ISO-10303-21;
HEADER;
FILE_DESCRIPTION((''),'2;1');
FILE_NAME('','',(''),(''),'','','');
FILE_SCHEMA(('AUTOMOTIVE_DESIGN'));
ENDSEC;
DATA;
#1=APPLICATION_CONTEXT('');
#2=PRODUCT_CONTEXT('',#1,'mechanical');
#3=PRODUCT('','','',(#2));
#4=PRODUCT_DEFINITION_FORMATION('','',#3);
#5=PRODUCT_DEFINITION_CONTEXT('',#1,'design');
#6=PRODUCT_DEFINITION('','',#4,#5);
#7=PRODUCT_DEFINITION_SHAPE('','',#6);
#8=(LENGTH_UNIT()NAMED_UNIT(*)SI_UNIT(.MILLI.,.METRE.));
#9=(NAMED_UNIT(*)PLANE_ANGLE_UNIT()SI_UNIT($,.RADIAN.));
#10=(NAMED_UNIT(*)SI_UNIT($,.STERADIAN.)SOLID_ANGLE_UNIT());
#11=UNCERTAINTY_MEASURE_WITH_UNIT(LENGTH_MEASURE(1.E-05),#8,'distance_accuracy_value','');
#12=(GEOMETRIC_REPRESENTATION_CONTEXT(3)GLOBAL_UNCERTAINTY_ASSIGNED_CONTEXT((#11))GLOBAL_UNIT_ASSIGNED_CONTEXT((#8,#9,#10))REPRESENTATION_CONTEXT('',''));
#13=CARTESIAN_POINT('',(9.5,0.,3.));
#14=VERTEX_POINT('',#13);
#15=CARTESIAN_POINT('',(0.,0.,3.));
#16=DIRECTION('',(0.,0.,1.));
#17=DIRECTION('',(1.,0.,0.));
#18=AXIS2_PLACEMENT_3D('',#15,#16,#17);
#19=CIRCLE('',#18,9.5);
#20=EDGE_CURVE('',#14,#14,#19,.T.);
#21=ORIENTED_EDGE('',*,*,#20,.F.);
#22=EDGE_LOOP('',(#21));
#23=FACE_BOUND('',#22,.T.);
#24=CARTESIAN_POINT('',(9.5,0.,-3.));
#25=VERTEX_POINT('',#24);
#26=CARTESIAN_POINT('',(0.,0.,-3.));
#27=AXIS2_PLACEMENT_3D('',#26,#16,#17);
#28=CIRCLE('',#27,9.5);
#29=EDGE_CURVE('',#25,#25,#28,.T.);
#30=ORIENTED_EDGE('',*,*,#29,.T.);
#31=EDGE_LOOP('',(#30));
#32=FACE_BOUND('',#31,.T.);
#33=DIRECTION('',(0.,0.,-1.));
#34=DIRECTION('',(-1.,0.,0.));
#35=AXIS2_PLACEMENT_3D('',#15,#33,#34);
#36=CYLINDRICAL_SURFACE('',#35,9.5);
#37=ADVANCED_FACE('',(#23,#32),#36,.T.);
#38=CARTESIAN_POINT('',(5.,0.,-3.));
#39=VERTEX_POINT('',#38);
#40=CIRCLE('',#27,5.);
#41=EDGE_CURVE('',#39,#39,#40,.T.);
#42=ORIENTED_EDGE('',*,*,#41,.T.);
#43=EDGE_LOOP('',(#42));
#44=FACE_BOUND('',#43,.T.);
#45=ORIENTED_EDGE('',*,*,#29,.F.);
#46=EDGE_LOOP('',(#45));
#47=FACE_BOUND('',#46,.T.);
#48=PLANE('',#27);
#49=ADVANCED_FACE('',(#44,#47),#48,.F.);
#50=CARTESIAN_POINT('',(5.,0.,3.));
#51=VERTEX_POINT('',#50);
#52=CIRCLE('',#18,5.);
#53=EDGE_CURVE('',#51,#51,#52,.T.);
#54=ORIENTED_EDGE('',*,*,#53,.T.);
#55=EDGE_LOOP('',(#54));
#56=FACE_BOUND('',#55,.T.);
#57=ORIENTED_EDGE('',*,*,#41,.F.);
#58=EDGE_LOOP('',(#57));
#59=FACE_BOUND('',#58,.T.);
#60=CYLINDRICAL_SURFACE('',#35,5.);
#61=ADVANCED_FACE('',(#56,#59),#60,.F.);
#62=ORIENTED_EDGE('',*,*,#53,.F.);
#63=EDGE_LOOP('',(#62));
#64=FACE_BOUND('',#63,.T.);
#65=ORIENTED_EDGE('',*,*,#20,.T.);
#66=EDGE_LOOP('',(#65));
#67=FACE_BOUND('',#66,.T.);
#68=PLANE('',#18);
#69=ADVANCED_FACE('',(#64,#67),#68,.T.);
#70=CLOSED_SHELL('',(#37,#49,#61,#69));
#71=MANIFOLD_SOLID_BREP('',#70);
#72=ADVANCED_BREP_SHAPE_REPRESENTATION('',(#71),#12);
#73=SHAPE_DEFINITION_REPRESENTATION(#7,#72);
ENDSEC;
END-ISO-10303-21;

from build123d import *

# Parameters (mm, degrees)
SKETCH_1_R      = 9.5
SKETCH_1_R_2    = 5
EXTRUDE_1_DEPTH = 3


with BuildPart() as part:
    # ｽｹｯﾁ1 → 押し出し-薄板1 (new, symmetric)
    with BuildSketch(Plane.XY):
        Circle(SKETCH_1_R)
        Circle(SKETCH_1_R_2, mode=Mode.SUBTRACT)
    extrude(amount=EXTRUDE_1_DEPTH, both=True)


solid = part.part
